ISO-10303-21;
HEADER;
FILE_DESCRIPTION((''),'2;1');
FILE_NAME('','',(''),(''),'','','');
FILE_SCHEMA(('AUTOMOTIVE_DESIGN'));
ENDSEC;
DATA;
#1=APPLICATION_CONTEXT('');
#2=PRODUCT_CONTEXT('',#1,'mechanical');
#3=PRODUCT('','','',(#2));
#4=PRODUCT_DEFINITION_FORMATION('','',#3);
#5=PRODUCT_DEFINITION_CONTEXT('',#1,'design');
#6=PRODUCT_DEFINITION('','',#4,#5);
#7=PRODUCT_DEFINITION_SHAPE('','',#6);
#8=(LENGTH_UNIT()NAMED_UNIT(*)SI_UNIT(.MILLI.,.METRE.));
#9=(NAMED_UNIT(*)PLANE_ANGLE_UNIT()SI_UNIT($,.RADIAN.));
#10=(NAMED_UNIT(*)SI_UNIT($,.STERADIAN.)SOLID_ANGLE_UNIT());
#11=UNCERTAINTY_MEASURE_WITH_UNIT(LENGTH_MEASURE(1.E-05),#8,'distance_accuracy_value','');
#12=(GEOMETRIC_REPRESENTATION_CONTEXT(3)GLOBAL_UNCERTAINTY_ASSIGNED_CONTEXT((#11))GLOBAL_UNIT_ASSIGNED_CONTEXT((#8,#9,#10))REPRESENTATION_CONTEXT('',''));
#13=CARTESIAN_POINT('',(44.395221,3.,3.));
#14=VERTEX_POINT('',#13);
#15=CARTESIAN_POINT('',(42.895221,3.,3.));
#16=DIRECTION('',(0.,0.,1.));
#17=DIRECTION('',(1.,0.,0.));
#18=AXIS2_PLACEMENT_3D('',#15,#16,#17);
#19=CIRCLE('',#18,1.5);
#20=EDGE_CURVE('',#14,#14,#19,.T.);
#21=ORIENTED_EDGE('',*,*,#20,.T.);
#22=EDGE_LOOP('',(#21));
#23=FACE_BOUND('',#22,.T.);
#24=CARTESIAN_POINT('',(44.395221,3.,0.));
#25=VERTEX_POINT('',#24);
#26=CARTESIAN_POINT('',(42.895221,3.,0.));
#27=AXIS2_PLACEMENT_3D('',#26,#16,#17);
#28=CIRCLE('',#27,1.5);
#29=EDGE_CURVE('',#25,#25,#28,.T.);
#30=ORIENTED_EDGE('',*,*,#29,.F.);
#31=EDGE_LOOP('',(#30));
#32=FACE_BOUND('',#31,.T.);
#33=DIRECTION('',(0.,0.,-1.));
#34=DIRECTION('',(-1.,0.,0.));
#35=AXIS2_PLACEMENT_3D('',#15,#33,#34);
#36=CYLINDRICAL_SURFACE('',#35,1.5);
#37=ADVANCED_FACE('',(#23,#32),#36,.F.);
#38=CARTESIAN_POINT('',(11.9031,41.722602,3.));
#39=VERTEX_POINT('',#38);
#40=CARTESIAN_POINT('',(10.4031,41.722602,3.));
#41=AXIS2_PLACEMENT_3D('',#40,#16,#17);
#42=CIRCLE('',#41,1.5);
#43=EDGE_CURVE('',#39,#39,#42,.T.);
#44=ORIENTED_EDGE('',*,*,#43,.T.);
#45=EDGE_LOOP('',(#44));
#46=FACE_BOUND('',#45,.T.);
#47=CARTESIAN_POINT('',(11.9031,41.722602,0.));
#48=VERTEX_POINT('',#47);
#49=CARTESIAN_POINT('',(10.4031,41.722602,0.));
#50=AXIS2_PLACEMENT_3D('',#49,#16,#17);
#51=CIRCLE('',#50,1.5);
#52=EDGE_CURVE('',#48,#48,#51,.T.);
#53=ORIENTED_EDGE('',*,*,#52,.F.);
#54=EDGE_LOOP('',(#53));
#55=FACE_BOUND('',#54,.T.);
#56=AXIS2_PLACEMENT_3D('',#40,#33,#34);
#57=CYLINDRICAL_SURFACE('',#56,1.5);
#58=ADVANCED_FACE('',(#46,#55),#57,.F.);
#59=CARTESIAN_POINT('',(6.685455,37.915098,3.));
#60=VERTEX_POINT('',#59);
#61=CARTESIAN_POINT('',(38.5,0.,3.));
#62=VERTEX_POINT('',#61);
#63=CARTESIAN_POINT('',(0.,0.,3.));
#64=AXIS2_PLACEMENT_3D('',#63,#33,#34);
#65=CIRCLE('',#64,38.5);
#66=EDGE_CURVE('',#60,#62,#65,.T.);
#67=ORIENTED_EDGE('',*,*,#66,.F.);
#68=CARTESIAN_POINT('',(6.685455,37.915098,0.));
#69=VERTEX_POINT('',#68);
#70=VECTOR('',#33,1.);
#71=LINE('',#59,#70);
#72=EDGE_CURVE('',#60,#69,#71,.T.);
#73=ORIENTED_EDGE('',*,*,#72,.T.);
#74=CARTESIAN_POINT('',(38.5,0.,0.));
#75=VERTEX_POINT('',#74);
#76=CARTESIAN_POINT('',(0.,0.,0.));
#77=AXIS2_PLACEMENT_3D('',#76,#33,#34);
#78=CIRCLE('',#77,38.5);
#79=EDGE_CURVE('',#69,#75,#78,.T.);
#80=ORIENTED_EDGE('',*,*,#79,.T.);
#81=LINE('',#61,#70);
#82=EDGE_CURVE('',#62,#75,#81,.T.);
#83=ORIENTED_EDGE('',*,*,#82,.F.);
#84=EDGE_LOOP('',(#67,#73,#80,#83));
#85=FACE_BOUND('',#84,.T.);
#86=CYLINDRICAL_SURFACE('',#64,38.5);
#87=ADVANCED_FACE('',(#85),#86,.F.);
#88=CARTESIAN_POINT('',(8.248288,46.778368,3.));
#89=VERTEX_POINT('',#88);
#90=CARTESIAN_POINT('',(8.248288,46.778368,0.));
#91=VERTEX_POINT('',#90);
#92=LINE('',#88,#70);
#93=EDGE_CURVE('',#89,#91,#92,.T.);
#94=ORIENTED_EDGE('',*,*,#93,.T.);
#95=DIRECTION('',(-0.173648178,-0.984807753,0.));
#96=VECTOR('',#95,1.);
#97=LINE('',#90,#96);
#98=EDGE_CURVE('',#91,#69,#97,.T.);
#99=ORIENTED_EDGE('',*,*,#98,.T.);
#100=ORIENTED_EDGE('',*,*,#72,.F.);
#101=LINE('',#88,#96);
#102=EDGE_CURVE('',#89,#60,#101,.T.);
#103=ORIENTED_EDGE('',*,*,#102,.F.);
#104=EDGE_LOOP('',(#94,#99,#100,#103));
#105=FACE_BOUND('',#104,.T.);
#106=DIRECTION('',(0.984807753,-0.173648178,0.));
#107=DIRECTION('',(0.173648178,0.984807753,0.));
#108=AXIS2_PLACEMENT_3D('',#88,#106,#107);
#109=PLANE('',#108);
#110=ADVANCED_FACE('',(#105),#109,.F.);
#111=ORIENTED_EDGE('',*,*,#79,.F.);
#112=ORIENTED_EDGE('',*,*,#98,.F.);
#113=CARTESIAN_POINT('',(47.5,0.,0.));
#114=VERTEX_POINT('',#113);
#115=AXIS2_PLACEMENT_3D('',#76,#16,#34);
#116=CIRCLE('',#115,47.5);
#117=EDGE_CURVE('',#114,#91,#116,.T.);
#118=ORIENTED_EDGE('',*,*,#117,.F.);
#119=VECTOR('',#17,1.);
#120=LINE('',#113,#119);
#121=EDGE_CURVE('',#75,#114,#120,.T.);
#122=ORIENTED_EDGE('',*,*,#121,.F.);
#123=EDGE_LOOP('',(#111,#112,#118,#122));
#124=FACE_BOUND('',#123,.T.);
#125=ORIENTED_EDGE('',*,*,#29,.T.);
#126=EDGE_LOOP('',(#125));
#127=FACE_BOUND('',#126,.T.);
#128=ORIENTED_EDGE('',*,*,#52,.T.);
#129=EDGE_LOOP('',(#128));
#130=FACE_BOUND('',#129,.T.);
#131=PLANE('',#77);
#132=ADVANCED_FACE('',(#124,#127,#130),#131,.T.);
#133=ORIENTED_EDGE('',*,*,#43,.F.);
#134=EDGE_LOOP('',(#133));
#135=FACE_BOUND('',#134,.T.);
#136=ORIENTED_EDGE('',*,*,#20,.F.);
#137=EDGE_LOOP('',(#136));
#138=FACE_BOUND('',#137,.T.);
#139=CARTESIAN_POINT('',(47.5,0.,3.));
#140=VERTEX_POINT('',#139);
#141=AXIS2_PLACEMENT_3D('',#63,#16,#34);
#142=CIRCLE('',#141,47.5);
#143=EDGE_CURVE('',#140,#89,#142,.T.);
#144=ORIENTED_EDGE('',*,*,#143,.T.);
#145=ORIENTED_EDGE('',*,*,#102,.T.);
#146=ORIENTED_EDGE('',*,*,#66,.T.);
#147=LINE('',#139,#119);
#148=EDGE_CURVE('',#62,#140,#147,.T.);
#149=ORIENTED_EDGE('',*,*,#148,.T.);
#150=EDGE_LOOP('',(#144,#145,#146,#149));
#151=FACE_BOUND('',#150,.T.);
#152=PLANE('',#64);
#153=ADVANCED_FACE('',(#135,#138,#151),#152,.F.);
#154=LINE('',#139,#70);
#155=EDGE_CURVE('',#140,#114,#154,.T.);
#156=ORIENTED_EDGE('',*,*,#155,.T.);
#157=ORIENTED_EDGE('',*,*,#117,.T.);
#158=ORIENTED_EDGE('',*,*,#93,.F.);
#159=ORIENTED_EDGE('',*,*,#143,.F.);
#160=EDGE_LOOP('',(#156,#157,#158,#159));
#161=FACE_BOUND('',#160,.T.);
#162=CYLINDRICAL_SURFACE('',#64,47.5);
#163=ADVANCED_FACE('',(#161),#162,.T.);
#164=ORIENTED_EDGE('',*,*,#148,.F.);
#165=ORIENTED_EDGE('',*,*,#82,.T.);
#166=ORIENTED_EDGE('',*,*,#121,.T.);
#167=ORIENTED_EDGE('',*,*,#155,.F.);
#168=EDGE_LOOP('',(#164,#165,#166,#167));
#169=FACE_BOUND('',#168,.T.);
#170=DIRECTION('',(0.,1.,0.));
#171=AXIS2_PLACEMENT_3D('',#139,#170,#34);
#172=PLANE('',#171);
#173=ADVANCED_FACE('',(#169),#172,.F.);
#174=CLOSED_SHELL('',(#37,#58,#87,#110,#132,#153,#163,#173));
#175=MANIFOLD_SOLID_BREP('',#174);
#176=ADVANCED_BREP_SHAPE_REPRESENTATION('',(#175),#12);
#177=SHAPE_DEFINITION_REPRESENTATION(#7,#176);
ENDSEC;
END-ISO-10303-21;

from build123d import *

# Parameters (mm, degrees)
CROQUIS1_R              = 1.5
SALIENTE_EXTRUIR1_DEPTH = 3


with BuildPart() as part:
    # Croquis1 → Saliente-Extruir1 (new body)
    with BuildSketch(Plane.XY):
        with BuildLine():
            Line((8.248288439, 46.778368268), (6.68545484, 37.915098491))
            ThreePointArc((6.68545484, 37.915098491), (29.49271106, 24.747322973), (38.5, 0))
            Line((38.5, 0), (47.5, 0))
            ThreePointArc((47.5, 0), (36.387111048, 30.53241146), (8.248288439, 46.778368268))
        make_face()
        with Locations((42.895221179, 3)):
            Circle(CROQUIS1_R, mode=Mode.SUBTRACT)
        with Locations((10.403100247, 41.722601851)):
            Circle(CROQUIS1_R, mode=Mode.SUBTRACT)
    extrude(amount=SALIENTE_EXTRUIR1_DEPTH)


solid = part.part
